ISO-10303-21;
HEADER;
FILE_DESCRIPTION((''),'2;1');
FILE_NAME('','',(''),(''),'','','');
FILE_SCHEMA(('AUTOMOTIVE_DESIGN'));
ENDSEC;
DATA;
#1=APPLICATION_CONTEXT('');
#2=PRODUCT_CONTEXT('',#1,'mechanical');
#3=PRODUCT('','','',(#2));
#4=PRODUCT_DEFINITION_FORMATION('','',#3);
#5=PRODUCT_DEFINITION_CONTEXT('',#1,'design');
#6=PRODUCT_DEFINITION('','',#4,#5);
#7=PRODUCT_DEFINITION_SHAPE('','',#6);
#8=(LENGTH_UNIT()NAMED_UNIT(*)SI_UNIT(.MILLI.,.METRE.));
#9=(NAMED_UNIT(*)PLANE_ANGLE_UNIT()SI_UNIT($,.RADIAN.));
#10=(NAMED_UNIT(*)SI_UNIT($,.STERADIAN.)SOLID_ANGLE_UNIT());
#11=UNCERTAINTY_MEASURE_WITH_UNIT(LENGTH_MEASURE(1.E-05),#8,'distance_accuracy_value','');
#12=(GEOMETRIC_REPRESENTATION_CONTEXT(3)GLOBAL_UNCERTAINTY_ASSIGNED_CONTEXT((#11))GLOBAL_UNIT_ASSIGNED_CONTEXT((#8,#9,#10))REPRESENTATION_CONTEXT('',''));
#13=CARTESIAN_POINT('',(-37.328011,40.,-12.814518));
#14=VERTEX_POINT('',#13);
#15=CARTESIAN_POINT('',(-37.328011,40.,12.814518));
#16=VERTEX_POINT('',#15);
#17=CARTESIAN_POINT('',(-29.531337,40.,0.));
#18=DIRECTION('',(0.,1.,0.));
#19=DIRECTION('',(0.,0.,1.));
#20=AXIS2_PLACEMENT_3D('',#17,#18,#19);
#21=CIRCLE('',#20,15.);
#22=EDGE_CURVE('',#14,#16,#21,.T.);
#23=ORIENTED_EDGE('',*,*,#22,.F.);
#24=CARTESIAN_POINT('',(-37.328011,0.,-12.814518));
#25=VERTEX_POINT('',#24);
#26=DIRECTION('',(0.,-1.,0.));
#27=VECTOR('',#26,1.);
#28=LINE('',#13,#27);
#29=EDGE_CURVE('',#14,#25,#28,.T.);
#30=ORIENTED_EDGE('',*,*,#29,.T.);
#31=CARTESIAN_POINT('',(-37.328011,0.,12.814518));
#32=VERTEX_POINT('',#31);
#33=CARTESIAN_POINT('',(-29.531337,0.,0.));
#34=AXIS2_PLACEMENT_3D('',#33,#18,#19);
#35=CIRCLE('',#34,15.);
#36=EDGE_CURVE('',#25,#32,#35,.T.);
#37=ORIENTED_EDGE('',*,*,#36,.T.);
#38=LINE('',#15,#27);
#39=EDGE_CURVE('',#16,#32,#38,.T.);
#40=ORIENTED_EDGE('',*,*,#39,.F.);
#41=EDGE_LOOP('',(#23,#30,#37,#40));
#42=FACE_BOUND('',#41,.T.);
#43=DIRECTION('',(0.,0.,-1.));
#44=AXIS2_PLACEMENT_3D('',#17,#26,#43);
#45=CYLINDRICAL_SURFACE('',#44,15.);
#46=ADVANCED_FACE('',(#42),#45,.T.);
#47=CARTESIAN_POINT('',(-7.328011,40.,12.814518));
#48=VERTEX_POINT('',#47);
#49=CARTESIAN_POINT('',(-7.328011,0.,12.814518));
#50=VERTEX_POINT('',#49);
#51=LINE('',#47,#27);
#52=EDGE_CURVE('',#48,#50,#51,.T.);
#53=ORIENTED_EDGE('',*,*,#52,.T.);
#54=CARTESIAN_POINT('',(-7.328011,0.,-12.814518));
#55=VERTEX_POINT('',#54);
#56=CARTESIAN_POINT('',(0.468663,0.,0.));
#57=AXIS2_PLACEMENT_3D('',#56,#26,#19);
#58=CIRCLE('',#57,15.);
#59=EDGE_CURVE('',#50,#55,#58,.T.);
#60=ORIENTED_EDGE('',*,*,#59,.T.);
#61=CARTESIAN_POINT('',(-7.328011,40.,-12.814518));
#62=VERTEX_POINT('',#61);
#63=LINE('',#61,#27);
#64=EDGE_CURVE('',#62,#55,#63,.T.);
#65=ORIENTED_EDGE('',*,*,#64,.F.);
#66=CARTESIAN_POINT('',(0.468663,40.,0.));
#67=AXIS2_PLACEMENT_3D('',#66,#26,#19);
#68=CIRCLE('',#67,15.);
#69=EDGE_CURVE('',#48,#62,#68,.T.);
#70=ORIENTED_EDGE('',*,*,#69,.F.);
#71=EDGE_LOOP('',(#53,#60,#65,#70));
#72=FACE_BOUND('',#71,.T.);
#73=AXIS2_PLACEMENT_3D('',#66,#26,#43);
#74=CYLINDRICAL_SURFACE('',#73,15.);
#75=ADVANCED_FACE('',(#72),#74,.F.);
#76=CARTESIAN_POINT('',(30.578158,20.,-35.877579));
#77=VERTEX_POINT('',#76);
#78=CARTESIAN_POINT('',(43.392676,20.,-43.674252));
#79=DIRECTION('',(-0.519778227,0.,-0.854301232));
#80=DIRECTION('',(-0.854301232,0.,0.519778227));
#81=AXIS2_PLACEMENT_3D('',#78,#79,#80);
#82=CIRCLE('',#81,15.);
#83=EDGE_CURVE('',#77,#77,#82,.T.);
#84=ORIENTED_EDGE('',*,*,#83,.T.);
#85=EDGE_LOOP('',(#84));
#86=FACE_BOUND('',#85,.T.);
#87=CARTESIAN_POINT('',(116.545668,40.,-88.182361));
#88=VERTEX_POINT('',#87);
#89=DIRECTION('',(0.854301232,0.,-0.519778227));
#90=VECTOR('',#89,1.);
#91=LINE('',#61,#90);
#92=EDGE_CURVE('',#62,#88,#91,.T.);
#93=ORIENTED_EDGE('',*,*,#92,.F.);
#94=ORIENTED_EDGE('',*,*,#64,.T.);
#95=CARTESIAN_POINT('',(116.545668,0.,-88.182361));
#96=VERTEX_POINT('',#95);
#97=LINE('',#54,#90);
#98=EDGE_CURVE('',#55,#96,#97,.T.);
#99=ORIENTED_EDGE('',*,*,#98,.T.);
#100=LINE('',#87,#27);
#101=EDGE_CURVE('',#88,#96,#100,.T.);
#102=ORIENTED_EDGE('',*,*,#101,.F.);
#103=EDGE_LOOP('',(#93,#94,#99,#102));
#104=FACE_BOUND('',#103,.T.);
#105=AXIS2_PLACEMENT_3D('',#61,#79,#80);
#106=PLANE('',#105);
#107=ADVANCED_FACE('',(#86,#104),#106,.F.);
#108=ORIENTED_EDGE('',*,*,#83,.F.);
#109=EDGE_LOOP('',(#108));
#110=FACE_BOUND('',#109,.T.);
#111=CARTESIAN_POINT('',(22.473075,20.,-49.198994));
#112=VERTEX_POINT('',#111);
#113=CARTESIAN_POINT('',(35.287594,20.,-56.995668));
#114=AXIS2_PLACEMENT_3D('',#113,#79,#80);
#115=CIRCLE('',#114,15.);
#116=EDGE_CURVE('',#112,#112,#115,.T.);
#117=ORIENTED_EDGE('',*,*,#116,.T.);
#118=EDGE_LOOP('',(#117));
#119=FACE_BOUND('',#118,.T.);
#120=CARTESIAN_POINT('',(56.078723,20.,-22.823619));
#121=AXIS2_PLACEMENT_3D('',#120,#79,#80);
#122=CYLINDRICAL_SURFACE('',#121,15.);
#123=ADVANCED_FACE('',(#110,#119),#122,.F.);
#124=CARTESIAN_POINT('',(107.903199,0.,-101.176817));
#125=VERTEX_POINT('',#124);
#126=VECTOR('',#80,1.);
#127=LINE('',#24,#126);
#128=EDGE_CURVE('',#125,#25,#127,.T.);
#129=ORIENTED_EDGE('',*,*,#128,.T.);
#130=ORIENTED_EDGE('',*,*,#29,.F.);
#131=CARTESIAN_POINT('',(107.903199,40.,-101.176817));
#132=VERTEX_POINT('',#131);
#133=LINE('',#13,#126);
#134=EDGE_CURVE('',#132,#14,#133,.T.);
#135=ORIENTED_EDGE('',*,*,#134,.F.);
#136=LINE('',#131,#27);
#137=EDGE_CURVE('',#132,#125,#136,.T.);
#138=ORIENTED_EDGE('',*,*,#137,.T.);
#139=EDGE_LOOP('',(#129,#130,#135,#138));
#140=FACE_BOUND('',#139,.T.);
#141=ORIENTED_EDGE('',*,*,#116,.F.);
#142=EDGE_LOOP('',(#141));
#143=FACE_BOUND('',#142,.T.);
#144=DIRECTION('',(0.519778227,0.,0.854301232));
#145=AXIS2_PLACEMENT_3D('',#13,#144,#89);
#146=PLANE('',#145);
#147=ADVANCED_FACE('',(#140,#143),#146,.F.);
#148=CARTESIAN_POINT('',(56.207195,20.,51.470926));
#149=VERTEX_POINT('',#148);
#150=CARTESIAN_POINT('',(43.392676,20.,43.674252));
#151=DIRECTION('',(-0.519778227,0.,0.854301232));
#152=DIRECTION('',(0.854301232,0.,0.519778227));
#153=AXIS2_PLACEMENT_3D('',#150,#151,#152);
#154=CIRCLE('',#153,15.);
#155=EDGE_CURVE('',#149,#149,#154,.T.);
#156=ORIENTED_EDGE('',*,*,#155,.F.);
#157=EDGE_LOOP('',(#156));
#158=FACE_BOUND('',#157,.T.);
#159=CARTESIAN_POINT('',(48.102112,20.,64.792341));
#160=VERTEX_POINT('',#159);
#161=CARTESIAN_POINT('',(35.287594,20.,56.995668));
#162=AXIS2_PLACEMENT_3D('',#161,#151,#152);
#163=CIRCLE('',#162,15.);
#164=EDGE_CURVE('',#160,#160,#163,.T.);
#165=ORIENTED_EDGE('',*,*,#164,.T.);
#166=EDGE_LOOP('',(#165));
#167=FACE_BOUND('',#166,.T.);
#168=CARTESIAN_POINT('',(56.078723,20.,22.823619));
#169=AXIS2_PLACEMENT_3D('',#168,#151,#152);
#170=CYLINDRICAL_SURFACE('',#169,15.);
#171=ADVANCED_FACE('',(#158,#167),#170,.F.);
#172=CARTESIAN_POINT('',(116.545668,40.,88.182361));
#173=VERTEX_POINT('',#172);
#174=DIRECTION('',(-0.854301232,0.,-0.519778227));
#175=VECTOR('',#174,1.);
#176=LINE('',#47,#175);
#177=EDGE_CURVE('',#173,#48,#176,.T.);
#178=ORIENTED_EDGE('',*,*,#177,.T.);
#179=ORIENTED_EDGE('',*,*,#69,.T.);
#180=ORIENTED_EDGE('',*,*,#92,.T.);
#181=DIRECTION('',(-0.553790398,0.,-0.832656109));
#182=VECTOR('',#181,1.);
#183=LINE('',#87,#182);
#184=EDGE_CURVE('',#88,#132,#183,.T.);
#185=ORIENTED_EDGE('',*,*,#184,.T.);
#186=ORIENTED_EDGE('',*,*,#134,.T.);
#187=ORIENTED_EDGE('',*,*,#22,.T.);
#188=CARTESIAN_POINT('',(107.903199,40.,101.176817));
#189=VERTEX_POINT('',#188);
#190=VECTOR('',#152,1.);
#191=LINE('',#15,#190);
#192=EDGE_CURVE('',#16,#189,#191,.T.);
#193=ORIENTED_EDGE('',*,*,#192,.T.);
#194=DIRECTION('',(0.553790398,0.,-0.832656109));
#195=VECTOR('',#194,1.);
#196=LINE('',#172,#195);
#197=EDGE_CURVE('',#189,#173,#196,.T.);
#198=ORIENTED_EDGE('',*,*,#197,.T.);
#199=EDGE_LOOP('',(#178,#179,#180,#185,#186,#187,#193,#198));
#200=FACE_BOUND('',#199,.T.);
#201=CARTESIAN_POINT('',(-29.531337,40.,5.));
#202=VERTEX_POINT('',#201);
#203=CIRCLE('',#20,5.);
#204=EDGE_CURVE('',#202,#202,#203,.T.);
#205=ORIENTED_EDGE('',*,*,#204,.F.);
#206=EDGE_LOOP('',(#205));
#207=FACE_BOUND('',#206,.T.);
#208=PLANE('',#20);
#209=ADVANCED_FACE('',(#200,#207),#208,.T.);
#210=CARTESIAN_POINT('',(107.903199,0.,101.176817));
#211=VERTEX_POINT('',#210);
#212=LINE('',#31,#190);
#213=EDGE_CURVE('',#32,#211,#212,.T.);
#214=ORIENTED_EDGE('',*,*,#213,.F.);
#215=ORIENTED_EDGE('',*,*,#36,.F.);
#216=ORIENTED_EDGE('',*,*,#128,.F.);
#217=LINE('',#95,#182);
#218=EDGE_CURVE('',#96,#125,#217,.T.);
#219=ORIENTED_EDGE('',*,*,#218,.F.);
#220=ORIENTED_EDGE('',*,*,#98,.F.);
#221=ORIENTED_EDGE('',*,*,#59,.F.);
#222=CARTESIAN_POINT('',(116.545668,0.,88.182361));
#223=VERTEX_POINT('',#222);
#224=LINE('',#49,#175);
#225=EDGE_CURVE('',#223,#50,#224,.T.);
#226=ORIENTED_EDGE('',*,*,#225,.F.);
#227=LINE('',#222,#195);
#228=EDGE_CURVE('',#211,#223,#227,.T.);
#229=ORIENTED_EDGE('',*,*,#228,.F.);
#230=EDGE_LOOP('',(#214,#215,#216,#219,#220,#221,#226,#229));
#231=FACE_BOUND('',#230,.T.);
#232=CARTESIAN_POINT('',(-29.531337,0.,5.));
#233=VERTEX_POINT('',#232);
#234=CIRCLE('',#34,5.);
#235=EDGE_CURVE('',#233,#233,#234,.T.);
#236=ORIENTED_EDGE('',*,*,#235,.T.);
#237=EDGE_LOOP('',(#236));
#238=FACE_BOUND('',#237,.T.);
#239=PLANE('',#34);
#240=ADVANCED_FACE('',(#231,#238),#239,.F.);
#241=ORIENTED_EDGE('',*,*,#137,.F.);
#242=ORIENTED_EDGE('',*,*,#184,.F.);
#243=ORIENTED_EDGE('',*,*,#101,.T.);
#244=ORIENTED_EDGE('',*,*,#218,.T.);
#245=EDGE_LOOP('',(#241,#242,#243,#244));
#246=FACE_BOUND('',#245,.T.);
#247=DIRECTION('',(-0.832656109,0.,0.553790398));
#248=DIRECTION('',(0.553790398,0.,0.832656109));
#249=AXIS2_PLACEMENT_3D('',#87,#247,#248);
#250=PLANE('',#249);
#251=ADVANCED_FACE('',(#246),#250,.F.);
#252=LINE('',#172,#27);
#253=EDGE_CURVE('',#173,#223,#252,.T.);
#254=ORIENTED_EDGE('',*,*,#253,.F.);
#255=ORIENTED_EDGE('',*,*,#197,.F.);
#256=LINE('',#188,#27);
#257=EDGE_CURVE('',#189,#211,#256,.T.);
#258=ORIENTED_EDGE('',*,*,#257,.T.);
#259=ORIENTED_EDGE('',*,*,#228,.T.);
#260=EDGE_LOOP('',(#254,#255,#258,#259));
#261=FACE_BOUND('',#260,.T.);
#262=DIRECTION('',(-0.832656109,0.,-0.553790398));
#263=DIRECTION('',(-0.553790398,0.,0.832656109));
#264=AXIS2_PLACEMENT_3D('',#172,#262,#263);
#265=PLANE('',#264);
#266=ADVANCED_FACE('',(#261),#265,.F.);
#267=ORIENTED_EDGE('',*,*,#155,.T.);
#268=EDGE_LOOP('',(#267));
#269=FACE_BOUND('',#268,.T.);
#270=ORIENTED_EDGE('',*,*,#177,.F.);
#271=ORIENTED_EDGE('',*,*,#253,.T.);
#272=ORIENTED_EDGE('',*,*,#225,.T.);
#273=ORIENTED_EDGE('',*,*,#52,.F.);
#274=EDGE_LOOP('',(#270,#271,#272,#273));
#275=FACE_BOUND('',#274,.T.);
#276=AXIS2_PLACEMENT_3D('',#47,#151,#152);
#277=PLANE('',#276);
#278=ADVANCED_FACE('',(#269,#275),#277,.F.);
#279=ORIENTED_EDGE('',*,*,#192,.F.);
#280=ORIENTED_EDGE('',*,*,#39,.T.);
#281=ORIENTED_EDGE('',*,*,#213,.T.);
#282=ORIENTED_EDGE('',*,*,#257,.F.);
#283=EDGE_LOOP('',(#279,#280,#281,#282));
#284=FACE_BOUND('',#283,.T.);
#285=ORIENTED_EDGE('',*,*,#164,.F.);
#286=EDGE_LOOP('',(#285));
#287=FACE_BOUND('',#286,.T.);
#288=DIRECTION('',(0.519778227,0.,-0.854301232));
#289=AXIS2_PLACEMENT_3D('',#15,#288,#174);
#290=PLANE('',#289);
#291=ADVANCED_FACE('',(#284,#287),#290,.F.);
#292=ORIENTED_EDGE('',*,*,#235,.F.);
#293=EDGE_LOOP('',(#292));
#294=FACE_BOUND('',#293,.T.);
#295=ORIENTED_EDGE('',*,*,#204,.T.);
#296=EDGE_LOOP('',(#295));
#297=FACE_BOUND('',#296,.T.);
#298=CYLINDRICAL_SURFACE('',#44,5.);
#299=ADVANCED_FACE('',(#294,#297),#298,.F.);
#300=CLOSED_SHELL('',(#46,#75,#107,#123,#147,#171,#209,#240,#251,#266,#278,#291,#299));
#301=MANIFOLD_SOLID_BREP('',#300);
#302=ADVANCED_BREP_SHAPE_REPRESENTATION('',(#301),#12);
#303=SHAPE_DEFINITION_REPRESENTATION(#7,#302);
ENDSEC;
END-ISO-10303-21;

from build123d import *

# Parameters (mm, degrees)
SKETCH1_R           = 5
BOSS_EXTRUDE1_DEPTH = 40
SKETCH2_R           = 15
CUT_EXTRUDE1_DEPTH  = 40
SKETCH3_R           = 15
CUT_EXTRUDE2_DEPTH  = 40


with BuildPart() as part:
    # Sketch1 → Boss-Extrude1 (new body)
    with BuildSketch(Plane(origin=(0, 0, 0), x_dir=(1, 0, 0), z_dir=(0, 1, 0))):
        with BuildLine():
            Line((-37.328010775, 12.814518474), (107.903198598, 101.176817132))
            Line((107.903198598, 101.176817132), (116.545667808, 88.182361447))
            Line((116.545667808, 88.182361447), (-7.328010775, 12.814518474))
            ThreePointArc((-7.328010775, 12.814518474), (-14.531337364, 0), (-7.328010775, -12.814518474))
            Line((-7.328010775, -12.814518474), (116.545667808, -88.182361447))
            Line((116.545667808, -88.182361447), (107.903198598, -101.176817132))
            Line((107.903198598, -101.176817132), (-37.328010775, -12.814518474))
            ThreePointArc((-37.328010775, -12.814518474), (-44.531337364, 0), (-37.328010775, 12.814518474))
        make_face()
        with Locations(Location((-29.531337364, 0, 0), (0, 0, 270))):
            Circle(SKETCH1_R, mode=Mode.SUBTRACT)
    extrude(amount=BOSS_EXTRUDE1_DEPTH)

    # Sketch2 → Cut-Extrude1 (cut)
    with BuildSketch(Plane(origin=(-15.775137276, 0, 25.927825547), x_dir=(0.8543012316036261, 0, 0.5197782274013867), z_dir=(-0.5197782274013867, 0, 0.8543012316036263))):
        with Locations((59.771342119, 20)):
            Circle(SKETCH2_R)
    extrude(amount=-CUT_EXTRUDE1_DEPTH, mode=Mode.SUBTRACT)

    # Sketch3 → Cut-Extrude2 (cut)
    with BuildSketch(Plane(origin=(-15.775137276, 0, -25.927825547), x_dir=(-0.8543012316036261, 0, 0.5197782274013867), z_dir=(-0.5197782274013867, 0, -0.8543012316036263))):
        with Locations((-59.771342119, 20)):
            Circle(SKETCH3_R)
    extrude(amount=-CUT_EXTRUDE2_DEPTH, mode=Mode.SUBTRACT)


solid = part.part
